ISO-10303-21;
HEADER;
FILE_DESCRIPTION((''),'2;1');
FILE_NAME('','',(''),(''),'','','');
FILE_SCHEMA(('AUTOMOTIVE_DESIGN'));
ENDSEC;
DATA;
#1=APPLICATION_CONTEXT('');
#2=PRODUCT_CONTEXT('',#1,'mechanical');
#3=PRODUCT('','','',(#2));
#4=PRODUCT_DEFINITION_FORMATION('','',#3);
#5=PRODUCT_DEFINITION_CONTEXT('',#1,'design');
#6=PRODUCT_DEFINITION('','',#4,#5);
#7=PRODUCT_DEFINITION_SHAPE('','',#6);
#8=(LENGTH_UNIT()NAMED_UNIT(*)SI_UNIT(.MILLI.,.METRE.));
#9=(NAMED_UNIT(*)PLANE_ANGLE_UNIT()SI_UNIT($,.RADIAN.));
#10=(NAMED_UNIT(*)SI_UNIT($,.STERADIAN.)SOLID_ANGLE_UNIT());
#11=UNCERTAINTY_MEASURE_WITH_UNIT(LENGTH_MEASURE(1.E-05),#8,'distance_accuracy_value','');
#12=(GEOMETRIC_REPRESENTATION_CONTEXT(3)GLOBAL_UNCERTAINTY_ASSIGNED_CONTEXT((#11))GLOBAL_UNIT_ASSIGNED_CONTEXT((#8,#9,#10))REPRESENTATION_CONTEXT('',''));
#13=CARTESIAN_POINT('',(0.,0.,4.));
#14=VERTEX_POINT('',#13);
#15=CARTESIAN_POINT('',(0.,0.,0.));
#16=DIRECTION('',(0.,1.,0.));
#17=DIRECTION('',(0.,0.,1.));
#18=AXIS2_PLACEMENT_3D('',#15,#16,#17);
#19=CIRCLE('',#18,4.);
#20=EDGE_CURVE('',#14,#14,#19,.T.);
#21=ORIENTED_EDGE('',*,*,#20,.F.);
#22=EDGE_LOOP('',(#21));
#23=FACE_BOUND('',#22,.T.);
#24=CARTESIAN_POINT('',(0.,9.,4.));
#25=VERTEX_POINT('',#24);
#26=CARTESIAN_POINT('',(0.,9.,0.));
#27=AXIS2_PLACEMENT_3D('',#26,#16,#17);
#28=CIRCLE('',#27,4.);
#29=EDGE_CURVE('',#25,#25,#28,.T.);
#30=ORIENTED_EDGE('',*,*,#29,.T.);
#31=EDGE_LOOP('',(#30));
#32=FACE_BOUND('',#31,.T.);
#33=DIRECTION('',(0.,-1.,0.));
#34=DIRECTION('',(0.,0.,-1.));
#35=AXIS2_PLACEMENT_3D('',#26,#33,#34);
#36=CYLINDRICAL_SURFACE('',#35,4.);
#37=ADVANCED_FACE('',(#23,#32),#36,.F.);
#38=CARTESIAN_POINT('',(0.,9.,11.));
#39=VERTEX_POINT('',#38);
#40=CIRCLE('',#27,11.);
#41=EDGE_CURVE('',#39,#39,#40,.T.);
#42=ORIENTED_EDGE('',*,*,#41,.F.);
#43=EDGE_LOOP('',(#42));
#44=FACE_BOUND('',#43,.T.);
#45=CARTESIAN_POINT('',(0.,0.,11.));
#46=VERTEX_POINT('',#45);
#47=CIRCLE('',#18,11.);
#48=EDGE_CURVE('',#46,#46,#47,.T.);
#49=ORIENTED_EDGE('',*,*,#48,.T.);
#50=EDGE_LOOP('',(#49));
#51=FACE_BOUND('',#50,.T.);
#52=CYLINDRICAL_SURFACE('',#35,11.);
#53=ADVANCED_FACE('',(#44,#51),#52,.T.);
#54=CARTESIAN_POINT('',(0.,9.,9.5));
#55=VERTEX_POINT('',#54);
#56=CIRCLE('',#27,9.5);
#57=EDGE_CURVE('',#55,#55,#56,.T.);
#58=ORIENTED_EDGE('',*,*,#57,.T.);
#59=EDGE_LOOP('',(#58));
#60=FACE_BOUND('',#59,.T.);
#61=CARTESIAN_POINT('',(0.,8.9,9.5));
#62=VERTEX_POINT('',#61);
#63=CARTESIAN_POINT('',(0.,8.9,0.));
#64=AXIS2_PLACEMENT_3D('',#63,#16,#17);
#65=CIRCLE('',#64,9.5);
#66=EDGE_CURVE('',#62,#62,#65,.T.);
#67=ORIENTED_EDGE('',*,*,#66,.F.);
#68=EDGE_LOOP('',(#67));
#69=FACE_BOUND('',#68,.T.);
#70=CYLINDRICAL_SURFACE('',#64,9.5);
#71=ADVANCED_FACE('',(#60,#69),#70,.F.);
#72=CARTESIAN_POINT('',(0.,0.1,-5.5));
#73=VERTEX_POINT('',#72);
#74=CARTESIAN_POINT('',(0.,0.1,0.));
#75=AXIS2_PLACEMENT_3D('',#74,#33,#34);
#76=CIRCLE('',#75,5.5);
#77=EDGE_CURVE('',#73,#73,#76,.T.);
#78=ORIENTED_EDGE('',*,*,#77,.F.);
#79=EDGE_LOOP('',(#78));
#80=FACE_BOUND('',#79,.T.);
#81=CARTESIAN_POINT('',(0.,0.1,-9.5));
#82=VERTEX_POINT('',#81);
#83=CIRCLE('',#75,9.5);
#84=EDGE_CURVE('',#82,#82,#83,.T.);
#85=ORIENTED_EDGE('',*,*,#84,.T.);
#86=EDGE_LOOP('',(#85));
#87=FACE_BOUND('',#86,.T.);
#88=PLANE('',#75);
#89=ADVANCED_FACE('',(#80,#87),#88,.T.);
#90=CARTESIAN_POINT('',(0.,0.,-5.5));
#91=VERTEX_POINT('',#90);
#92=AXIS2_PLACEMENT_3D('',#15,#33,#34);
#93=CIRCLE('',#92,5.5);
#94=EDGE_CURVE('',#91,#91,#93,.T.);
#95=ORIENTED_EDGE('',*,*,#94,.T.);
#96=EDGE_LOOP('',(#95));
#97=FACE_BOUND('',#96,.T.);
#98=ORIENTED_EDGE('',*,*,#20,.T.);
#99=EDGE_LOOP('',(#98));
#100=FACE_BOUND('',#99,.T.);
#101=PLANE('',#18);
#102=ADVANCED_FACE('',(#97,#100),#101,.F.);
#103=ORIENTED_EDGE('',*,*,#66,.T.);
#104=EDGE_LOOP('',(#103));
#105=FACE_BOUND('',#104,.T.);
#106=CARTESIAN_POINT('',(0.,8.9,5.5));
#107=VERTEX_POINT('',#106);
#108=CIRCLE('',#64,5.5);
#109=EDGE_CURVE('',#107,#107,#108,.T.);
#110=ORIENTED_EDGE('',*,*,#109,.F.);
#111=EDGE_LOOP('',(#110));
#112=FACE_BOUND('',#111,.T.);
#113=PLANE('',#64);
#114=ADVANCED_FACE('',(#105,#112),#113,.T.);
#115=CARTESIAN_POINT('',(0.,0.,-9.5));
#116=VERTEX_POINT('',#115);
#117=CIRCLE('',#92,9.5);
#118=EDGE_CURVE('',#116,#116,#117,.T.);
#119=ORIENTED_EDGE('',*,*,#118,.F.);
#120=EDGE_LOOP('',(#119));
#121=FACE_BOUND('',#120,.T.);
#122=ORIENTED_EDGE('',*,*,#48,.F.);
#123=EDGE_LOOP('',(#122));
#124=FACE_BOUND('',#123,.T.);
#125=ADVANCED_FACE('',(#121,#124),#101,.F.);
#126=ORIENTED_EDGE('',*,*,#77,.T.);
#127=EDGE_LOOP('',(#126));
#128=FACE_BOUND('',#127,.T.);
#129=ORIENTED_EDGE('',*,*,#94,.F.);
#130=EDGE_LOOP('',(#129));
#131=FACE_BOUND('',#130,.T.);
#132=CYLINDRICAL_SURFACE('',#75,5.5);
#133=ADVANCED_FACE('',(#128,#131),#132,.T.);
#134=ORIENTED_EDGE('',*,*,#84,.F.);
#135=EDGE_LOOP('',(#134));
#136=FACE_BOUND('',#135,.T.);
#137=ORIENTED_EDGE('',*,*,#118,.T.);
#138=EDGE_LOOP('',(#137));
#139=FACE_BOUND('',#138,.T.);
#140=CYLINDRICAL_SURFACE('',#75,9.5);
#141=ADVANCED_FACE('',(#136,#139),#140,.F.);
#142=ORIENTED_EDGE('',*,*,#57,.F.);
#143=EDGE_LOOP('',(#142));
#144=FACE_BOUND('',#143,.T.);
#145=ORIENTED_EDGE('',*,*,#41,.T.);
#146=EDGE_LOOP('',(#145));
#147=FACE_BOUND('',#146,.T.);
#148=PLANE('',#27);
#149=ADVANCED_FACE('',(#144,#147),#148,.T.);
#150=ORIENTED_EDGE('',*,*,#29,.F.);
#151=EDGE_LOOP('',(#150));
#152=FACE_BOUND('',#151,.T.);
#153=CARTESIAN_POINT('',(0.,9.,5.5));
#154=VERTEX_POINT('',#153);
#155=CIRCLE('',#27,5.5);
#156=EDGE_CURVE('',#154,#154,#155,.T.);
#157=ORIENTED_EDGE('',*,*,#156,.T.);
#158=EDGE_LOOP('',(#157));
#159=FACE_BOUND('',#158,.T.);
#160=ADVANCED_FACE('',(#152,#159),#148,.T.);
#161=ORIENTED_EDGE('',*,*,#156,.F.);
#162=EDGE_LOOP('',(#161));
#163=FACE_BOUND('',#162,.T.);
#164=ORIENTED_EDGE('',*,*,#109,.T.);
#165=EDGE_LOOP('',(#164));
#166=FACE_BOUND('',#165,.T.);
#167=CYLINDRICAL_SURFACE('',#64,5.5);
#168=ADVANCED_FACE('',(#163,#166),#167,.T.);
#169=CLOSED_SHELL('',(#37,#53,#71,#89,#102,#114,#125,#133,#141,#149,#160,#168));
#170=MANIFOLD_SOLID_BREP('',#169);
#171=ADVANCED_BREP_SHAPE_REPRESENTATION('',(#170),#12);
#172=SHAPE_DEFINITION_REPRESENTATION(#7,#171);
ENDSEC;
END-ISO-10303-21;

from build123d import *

# Parameters (mm, degrees)
SKETCH1_R           = 11
SKETCH1_R_2         = 4
BOSS_EXTRUDE1_DEPTH = 9
SKETCH2_R           = 9.5
SKETCH2_R_2         = 5.5
CUT_EXTRUDE1_DEPTH  = 0.1
CUT_EXTRUDE2_START  = -0.1
SKETCH3_R           = 9.5
SKETCH3_R_2         = 5.5
CUT_EXTRUDE2_DEPTH  = 0.1


with BuildPart() as part:
    # Sketch1 → Boss-Extrude1 (new body)
    with BuildSketch(Plane(origin=(0, 0, 0), x_dir=(1, 0, 0), z_dir=(0, 1, 0))):
        with Locations(Location((0, 0, 0), (0, 0, 270))):
            Circle(SKETCH1_R)
        with Locations(Location((0, 0, 0), (0, 0, 270))):
            Circle(SKETCH1_R_2, mode=Mode.SUBTRACT)
    extrude(amount=BOSS_EXTRUDE1_DEPTH)

    # Sketch2 → Cut-Extrude1 (cut)
    with BuildSketch(Plane(origin=(0, 9, 0), x_dir=(1, 0, 0), z_dir=(0, 1, 0))):
        with Locations(Location((0, 0, 0), (0, 0, 270))):
            Circle(SKETCH2_R)
        with Locations(Location((0, 0, 0), (0, 0, 270))):
            Circle(SKETCH2_R_2, mode=Mode.SUBTRACT)
    extrude(amount=-CUT_EXTRUDE1_DEPTH, mode=Mode.SUBTRACT)

    # Sketch3 → Cut-Extrude2 (cut)
    with BuildSketch(Plane.XZ.offset(CUT_EXTRUDE2_START)):
        with Locations(Location((0, 0, 0), (0, 0, 90))):
            Circle(SKETCH3_R)
        with Locations(Location((0, 0, 0), (0, 0, 90))):
            Circle(SKETCH3_R_2, mode=Mode.SUBTRACT)
    extrude(amount=CUT_EXTRUDE2_DEPTH, mode=Mode.SUBTRACT)


solid = part.part
